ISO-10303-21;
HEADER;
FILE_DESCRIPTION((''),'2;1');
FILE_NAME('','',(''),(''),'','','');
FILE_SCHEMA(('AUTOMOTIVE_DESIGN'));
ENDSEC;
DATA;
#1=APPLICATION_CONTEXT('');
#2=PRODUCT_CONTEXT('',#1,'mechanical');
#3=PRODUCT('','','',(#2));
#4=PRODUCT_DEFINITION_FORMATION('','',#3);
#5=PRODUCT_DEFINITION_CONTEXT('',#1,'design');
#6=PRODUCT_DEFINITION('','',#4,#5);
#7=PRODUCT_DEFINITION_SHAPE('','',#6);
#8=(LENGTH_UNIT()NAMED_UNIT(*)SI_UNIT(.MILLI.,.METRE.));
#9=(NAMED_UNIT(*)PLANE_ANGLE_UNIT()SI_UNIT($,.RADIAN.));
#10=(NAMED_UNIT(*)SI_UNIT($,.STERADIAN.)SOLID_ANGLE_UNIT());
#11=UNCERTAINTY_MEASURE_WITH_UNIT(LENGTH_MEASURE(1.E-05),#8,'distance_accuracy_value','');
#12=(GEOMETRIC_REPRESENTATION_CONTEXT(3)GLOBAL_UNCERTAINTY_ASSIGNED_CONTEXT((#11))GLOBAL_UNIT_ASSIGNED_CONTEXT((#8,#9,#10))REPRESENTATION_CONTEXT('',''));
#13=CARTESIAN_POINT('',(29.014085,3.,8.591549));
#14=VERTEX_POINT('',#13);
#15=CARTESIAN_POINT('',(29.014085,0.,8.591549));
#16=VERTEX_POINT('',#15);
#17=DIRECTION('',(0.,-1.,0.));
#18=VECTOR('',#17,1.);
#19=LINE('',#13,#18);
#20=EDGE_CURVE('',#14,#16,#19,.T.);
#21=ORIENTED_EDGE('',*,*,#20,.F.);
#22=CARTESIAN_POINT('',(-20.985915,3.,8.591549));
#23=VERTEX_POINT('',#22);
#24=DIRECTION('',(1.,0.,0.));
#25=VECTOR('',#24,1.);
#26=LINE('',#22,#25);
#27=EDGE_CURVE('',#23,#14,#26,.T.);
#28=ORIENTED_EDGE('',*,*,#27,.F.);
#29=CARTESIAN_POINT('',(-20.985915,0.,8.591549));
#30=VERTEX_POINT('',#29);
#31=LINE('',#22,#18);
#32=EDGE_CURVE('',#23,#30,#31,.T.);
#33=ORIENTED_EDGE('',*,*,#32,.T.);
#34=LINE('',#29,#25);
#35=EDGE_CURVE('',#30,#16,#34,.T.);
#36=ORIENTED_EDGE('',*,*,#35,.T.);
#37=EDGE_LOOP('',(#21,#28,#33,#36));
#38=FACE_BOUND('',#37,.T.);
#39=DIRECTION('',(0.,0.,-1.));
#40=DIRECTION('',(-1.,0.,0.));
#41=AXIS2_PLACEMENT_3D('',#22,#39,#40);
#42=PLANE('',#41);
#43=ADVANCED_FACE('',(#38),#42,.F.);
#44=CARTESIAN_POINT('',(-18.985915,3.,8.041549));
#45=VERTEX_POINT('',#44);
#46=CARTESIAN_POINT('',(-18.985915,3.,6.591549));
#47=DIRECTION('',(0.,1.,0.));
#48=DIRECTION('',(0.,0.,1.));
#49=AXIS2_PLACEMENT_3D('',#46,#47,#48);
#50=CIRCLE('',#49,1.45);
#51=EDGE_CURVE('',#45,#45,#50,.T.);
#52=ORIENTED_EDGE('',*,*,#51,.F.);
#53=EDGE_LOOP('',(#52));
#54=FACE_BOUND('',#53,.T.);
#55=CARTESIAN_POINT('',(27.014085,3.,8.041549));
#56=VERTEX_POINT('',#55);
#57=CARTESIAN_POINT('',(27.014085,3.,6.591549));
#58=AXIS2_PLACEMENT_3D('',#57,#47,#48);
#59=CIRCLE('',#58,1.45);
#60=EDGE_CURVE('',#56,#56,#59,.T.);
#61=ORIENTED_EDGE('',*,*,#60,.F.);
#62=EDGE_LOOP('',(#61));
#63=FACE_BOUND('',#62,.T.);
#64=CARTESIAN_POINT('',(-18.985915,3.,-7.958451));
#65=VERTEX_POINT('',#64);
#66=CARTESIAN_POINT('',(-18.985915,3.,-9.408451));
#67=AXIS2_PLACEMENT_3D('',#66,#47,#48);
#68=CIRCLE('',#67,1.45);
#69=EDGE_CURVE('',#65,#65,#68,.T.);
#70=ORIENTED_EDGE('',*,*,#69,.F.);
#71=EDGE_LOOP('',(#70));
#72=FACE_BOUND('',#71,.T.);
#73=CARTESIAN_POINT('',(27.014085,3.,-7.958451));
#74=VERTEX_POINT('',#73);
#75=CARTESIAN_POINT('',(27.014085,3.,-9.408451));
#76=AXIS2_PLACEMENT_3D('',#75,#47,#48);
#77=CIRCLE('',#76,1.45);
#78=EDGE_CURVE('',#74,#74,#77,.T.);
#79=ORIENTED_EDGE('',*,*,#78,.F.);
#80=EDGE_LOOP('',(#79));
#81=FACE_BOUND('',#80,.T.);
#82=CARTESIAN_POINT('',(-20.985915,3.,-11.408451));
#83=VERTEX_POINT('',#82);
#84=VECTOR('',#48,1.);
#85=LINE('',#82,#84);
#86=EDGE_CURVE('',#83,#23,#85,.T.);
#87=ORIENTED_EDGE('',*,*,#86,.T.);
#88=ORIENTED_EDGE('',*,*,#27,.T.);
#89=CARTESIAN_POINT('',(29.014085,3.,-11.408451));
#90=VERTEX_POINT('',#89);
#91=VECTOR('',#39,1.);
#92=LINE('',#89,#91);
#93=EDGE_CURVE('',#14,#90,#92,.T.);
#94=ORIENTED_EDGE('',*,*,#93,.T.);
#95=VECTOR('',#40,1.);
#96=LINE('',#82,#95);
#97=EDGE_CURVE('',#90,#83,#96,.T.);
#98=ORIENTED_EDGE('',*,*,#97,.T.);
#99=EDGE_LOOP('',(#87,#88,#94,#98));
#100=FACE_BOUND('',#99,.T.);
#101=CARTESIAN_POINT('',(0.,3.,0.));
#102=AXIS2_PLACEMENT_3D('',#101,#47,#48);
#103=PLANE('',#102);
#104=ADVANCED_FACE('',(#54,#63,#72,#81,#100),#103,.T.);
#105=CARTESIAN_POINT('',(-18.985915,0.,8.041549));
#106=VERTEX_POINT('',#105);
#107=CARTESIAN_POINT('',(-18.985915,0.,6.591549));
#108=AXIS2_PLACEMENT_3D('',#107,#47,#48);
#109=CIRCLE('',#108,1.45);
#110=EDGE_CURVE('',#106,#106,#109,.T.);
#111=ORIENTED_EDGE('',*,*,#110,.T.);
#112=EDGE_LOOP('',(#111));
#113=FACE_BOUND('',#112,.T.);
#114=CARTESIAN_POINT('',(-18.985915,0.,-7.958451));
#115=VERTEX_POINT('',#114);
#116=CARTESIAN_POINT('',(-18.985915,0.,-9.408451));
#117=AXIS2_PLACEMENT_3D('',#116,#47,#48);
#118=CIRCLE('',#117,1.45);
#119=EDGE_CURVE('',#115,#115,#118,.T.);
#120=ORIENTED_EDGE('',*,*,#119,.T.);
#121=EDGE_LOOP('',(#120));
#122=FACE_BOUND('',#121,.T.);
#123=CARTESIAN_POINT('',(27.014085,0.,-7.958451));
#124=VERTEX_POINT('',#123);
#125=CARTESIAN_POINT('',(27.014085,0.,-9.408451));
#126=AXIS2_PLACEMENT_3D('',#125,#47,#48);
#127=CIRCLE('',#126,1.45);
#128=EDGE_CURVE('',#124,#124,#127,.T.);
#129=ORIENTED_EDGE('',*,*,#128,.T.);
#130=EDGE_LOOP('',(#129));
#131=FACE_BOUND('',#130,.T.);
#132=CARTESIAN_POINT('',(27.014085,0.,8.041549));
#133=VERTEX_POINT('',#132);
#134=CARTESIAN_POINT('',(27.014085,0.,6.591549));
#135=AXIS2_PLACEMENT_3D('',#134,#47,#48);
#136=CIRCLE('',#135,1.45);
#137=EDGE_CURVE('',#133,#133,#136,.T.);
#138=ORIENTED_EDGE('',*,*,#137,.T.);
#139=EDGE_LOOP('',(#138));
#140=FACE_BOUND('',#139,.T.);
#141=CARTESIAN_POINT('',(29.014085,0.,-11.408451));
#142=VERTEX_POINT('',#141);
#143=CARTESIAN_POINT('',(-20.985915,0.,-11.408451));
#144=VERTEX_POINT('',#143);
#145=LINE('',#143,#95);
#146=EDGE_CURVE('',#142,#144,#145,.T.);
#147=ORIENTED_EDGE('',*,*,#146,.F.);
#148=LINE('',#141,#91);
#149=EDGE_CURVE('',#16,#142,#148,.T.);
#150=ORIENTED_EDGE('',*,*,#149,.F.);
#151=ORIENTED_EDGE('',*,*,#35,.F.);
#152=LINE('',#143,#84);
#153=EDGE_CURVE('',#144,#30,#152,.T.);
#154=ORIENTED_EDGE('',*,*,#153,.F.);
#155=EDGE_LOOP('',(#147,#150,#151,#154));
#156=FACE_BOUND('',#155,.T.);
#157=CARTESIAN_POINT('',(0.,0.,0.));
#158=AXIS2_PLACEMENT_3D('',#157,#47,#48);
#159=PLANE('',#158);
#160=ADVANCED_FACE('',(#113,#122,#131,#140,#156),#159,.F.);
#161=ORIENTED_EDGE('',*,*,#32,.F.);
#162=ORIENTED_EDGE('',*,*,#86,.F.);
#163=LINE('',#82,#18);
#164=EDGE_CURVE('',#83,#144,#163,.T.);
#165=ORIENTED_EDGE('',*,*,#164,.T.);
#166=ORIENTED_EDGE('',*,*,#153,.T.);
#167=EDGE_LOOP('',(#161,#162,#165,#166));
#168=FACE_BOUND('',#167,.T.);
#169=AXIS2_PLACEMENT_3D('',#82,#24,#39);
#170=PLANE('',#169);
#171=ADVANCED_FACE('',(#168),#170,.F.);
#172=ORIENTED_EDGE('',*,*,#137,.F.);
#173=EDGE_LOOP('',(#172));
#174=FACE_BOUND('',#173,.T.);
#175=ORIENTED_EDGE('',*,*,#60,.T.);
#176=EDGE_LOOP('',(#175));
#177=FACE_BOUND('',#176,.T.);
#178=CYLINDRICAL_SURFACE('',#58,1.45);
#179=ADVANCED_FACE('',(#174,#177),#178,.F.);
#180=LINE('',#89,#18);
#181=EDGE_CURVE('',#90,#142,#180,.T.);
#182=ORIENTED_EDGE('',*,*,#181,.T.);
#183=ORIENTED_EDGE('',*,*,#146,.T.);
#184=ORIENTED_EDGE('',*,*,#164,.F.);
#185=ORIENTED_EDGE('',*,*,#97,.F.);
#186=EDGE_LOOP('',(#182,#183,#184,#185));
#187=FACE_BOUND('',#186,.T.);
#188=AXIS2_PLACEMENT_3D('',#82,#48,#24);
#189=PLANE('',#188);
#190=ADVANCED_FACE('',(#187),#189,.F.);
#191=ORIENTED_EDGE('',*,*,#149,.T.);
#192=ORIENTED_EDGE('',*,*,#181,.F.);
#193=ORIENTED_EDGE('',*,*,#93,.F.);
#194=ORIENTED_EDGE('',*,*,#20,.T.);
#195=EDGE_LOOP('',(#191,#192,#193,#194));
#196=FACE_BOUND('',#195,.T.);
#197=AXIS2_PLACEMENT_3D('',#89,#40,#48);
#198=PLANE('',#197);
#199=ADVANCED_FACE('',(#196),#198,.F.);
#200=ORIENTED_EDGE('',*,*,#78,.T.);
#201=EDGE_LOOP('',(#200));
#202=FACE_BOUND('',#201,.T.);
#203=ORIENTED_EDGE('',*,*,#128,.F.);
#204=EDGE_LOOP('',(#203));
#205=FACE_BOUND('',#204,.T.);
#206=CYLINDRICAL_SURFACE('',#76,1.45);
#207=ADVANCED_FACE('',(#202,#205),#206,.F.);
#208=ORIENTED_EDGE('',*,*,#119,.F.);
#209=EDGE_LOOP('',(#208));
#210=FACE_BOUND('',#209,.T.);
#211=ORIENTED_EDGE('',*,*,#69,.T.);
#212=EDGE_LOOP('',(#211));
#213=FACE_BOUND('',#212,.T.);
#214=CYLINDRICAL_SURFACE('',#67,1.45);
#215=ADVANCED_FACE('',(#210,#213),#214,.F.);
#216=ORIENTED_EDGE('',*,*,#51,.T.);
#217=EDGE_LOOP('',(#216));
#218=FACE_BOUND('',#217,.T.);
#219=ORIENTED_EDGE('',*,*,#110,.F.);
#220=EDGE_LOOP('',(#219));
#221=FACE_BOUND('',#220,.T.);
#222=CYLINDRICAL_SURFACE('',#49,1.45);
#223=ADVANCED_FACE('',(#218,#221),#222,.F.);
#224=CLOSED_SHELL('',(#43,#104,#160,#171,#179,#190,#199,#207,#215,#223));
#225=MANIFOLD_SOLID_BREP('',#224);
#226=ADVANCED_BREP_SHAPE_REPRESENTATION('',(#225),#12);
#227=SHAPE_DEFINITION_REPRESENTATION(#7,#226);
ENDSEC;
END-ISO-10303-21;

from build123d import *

# Parameters (mm, degrees)
SKETCH1_W                  = 50
SKETCH1_H                  = 20
BOSS_EXTRUDE1_DEPTH        = 3
M2_5_CLEARANCE_HOLE1_D     = 2.9
M2_5_CLEARANCE_HOLE1_DEPTH = 3
M2_5_CLEARANCE_HOLE1_TIP   = 0.871247898


with BuildPart() as part:
    # Sketch1 → Boss-Extrude1 (new body)
    with BuildSketch(Plane(origin=(0, 0, 0), x_dir=(1, 0, 0), z_dir=(0, 1, 0))):
        with Locations((4.014084507, 1.408450704)):
            Rectangle(SKETCH1_W, SKETCH1_H)
    extrude(amount=BOSS_EXTRUDE1_DEPTH)

    # M2.5 Clearance Hole1
    with Locations(Plane(origin=(0, 3, 0), x_dir=(1, 0, 0), z_dir=(0, 1, 0))):
        with Locations((-18.985915493, -6.591549296), (-18.985915493, 9.408450704), (27.014084507, -6.591549296), (27.014084507, 9.408450704)):
            Hole(M2_5_CLEARANCE_HOLE1_D / 2, depth=M2_5_CLEARANCE_HOLE1_DEPTH)
            with Locations((0, 0, -(M2_5_CLEARANCE_HOLE1_DEPTH + M2_5_CLEARANCE_HOLE1_TIP / 2))):  # 118° drill point
                Cone(0, M2_5_CLEARANCE_HOLE1_D / 2, M2_5_CLEARANCE_HOLE1_TIP, mode=Mode.SUBTRACT)


solid = part.part
